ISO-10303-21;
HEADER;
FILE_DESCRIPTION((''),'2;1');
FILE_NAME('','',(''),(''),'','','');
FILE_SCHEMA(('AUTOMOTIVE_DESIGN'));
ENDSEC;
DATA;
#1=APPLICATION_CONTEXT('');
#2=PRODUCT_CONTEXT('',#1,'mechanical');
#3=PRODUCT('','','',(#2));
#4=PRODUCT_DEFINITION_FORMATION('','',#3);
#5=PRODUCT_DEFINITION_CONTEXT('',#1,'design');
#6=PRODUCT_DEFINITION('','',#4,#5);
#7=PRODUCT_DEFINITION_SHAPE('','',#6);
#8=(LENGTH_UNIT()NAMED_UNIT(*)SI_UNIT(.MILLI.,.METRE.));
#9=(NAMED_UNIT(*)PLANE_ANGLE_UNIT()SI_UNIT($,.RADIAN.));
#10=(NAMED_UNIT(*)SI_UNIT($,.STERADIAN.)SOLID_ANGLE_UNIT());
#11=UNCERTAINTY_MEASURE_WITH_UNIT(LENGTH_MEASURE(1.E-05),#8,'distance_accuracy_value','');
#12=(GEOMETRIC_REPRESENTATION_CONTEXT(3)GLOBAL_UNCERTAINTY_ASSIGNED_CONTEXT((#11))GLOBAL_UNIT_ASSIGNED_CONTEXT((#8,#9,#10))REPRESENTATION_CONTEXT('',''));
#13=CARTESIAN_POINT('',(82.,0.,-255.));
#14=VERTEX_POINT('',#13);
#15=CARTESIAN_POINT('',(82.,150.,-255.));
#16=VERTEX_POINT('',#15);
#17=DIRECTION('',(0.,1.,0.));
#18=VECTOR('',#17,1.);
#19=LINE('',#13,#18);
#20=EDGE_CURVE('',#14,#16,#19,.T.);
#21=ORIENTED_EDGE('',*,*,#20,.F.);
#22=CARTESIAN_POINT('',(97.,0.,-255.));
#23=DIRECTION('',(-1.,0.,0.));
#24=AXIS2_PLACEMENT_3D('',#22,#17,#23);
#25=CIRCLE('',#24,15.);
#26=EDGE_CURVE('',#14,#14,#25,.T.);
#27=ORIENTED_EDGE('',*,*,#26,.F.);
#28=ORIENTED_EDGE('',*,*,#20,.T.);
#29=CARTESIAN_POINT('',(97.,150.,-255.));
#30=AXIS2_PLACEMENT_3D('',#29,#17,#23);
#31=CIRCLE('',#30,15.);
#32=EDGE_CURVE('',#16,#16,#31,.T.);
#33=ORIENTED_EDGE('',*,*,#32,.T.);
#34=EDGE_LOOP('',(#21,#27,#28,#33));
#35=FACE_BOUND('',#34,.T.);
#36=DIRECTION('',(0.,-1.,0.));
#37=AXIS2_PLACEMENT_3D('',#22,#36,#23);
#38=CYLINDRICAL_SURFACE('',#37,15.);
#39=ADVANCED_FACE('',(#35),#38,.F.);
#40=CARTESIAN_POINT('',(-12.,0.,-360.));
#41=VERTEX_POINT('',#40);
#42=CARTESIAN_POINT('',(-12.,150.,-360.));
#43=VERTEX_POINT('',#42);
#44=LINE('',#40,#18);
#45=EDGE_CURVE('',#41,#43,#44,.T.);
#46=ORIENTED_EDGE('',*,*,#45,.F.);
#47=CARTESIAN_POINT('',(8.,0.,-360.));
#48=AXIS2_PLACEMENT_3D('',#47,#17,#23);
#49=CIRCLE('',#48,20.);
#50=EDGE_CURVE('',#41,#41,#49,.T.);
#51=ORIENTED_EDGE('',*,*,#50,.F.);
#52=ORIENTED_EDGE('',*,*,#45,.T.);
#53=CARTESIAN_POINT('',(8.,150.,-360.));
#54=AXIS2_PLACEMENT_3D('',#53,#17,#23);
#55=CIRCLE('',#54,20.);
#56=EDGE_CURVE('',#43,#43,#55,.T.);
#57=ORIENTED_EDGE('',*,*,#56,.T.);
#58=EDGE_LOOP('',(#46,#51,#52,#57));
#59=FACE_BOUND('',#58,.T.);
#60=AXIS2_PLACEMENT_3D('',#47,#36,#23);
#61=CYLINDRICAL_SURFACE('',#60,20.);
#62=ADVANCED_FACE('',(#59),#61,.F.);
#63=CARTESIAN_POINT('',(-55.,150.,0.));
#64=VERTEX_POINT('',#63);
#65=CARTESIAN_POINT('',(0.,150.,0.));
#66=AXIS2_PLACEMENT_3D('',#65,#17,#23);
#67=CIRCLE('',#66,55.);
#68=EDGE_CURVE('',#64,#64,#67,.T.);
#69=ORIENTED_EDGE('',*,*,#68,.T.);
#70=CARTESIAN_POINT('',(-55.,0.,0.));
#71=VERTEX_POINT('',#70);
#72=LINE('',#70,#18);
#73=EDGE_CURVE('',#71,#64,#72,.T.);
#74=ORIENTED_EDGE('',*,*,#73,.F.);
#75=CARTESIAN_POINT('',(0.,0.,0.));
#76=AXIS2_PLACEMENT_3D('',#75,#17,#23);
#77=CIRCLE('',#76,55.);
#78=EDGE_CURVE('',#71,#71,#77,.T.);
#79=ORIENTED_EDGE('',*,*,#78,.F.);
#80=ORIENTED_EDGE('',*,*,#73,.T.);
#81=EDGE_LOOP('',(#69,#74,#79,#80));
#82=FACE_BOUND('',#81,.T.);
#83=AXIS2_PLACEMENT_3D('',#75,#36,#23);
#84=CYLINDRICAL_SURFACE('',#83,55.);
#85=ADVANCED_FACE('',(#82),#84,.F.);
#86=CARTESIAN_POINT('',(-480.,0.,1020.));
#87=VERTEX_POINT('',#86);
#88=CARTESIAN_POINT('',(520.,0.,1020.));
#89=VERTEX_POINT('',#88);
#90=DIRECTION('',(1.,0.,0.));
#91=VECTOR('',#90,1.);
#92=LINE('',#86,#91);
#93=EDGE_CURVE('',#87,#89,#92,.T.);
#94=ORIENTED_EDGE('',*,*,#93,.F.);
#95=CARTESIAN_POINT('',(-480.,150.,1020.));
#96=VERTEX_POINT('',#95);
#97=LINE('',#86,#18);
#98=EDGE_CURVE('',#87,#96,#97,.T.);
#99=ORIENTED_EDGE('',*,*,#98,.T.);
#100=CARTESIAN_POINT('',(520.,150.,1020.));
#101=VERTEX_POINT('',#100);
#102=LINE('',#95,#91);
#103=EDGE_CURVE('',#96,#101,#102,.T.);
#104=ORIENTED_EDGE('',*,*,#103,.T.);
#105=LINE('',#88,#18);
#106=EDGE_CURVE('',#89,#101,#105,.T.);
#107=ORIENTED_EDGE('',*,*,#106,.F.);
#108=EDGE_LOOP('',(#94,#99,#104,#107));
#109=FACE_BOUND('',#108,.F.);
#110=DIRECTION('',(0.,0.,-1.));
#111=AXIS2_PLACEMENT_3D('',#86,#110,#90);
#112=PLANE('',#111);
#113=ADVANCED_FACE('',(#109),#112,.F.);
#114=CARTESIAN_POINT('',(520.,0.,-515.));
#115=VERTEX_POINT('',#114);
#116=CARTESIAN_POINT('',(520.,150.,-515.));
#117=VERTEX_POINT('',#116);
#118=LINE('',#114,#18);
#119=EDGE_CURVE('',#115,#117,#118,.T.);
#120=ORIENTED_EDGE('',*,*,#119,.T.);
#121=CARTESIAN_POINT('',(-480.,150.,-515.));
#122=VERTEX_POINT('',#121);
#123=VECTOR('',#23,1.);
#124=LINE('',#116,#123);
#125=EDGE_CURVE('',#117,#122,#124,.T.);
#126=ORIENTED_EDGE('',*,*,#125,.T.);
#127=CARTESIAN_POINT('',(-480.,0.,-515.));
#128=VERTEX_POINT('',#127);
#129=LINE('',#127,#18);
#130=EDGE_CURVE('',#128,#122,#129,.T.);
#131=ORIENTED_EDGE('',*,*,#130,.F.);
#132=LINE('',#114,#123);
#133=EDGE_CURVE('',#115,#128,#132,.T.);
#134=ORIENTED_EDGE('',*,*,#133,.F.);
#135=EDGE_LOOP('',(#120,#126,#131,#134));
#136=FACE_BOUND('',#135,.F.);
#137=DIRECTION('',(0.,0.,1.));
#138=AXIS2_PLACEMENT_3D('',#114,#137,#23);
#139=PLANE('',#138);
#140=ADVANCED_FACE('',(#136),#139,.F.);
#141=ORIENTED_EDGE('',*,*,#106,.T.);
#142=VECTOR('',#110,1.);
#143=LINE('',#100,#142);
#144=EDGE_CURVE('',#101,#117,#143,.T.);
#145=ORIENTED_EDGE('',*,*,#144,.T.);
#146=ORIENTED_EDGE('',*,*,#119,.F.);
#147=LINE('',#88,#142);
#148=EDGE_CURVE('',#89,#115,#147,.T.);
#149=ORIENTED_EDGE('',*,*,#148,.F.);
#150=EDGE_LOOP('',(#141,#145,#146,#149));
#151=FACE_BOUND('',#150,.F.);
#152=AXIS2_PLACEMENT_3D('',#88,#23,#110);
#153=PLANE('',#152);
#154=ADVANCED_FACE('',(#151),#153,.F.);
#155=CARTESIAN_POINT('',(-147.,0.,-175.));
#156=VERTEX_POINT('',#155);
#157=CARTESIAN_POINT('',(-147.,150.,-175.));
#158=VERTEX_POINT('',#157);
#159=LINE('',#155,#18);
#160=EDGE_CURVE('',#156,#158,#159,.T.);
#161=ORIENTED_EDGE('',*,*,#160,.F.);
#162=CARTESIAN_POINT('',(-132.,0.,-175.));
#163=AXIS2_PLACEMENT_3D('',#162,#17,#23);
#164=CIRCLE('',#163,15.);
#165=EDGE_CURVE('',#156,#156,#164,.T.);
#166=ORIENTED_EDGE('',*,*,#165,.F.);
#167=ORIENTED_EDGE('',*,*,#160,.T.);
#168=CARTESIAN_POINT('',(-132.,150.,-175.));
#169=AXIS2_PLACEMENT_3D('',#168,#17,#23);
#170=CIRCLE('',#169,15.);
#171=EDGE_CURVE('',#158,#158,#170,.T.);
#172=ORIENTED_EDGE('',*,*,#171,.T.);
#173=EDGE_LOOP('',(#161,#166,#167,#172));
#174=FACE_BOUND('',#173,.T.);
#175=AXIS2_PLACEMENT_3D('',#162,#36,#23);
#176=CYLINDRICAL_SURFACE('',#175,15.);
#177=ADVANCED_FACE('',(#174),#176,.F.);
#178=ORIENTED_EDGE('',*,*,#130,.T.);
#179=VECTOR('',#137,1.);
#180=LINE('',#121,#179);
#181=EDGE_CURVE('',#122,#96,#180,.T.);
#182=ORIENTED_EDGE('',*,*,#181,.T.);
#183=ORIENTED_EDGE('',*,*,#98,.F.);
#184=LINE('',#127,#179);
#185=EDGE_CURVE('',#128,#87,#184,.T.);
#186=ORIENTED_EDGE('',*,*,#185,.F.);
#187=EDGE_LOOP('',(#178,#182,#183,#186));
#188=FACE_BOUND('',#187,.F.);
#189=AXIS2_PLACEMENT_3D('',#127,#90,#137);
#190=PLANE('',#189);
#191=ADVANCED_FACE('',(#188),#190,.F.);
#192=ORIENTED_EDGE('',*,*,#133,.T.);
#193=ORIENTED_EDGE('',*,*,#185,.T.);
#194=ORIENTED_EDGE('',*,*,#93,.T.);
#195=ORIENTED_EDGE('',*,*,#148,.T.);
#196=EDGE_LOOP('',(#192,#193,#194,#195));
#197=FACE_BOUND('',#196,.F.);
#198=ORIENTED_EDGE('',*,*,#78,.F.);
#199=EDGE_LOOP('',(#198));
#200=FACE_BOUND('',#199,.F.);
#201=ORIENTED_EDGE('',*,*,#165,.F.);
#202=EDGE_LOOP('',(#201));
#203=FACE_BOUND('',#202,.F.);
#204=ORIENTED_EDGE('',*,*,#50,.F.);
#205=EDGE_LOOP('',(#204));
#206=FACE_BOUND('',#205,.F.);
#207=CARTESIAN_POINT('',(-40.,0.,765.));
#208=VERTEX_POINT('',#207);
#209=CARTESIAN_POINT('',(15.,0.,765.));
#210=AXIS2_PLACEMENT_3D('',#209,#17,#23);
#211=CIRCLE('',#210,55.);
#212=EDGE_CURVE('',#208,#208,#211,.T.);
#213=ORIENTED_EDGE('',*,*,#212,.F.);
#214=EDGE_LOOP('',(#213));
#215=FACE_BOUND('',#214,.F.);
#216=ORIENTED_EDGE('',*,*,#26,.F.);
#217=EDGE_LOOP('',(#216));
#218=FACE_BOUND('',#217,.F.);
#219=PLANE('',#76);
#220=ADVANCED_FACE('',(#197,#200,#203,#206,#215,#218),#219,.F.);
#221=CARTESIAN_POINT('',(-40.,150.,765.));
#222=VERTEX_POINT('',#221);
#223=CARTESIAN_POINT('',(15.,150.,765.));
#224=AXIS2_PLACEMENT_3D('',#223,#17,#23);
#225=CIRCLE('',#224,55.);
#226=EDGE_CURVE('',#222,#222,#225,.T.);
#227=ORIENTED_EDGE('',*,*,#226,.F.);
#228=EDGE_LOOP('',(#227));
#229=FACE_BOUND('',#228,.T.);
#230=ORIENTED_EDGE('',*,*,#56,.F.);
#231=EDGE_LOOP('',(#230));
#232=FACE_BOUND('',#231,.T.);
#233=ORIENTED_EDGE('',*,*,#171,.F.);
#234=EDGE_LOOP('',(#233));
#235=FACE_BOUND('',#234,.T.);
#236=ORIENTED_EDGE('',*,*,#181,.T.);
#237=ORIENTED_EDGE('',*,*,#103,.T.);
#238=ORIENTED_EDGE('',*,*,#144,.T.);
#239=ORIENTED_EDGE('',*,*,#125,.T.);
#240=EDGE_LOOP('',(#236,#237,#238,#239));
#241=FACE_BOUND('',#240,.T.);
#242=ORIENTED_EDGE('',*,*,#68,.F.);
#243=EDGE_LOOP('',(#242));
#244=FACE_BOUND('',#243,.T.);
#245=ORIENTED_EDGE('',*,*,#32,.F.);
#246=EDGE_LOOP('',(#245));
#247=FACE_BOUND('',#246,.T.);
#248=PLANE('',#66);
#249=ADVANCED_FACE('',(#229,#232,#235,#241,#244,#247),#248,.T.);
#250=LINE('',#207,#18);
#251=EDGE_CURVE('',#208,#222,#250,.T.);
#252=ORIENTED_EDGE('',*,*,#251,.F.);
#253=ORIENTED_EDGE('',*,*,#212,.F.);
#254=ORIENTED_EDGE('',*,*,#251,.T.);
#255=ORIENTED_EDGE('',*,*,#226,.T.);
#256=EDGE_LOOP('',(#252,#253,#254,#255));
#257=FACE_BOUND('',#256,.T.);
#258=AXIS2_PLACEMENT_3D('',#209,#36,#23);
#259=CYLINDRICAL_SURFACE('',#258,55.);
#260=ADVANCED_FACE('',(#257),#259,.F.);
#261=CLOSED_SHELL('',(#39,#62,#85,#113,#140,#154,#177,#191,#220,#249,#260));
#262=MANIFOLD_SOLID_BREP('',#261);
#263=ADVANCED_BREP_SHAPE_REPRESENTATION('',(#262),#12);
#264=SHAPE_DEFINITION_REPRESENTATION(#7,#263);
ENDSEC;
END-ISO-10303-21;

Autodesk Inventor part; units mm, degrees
ref_plane "YZ Plane" through (0, 0, 0) normal (1, 0, 0) x (0, 1, 0)
ref_plane "XZ Plane" through (0, 0, 0) normal (0, 1, 0) x (-1, 0, 0)
ref_plane "XY Plane" through (0, 0, 0) normal (0, 0, 1) x (1, 0, 0)
sketch "Sketch1" plane through (0, 0, 0) normal (0, 1, 0) x (-1, 0, 0)
  circle A0 centre (0, 0) radius 55
  line L0 (480, 1020) -> (-520, 1020)
  line L1 (-520, 1020) -> (-520, -515)
  line L2 (-520, -515) -> (480, -515)
  line L3 (480, -515) -> (480, 1020)
  line L4 (267, -266) -> (-327, -266) construction
  circle A1 centre (132, -175) radius 15
  circle A2 centre (-97, -255) radius 15
  circle A3 centre (-8, -360) radius 20
  circle A4 centre (-15, 765) radius 55
  dimension "d0" = 110
  dimension "d1" = 515
  dimension "d2" = 1020
  dimension "d3" = 520
  dimension "d4" = 480
  dimension "d5" = 30
  dimension "d6" = 30
  dimension "d7" = 40
  dimension "d8" = 155
  dimension "d9" = 255
  dimension "d10" = 340
  dimension "d11" = 110
  dimension "d13" = 505
  dimension "d14" = 765
extrude "Extrusion1" add sketch "Sketch1" along normal blind 150
properties part number "protoPlinth"
